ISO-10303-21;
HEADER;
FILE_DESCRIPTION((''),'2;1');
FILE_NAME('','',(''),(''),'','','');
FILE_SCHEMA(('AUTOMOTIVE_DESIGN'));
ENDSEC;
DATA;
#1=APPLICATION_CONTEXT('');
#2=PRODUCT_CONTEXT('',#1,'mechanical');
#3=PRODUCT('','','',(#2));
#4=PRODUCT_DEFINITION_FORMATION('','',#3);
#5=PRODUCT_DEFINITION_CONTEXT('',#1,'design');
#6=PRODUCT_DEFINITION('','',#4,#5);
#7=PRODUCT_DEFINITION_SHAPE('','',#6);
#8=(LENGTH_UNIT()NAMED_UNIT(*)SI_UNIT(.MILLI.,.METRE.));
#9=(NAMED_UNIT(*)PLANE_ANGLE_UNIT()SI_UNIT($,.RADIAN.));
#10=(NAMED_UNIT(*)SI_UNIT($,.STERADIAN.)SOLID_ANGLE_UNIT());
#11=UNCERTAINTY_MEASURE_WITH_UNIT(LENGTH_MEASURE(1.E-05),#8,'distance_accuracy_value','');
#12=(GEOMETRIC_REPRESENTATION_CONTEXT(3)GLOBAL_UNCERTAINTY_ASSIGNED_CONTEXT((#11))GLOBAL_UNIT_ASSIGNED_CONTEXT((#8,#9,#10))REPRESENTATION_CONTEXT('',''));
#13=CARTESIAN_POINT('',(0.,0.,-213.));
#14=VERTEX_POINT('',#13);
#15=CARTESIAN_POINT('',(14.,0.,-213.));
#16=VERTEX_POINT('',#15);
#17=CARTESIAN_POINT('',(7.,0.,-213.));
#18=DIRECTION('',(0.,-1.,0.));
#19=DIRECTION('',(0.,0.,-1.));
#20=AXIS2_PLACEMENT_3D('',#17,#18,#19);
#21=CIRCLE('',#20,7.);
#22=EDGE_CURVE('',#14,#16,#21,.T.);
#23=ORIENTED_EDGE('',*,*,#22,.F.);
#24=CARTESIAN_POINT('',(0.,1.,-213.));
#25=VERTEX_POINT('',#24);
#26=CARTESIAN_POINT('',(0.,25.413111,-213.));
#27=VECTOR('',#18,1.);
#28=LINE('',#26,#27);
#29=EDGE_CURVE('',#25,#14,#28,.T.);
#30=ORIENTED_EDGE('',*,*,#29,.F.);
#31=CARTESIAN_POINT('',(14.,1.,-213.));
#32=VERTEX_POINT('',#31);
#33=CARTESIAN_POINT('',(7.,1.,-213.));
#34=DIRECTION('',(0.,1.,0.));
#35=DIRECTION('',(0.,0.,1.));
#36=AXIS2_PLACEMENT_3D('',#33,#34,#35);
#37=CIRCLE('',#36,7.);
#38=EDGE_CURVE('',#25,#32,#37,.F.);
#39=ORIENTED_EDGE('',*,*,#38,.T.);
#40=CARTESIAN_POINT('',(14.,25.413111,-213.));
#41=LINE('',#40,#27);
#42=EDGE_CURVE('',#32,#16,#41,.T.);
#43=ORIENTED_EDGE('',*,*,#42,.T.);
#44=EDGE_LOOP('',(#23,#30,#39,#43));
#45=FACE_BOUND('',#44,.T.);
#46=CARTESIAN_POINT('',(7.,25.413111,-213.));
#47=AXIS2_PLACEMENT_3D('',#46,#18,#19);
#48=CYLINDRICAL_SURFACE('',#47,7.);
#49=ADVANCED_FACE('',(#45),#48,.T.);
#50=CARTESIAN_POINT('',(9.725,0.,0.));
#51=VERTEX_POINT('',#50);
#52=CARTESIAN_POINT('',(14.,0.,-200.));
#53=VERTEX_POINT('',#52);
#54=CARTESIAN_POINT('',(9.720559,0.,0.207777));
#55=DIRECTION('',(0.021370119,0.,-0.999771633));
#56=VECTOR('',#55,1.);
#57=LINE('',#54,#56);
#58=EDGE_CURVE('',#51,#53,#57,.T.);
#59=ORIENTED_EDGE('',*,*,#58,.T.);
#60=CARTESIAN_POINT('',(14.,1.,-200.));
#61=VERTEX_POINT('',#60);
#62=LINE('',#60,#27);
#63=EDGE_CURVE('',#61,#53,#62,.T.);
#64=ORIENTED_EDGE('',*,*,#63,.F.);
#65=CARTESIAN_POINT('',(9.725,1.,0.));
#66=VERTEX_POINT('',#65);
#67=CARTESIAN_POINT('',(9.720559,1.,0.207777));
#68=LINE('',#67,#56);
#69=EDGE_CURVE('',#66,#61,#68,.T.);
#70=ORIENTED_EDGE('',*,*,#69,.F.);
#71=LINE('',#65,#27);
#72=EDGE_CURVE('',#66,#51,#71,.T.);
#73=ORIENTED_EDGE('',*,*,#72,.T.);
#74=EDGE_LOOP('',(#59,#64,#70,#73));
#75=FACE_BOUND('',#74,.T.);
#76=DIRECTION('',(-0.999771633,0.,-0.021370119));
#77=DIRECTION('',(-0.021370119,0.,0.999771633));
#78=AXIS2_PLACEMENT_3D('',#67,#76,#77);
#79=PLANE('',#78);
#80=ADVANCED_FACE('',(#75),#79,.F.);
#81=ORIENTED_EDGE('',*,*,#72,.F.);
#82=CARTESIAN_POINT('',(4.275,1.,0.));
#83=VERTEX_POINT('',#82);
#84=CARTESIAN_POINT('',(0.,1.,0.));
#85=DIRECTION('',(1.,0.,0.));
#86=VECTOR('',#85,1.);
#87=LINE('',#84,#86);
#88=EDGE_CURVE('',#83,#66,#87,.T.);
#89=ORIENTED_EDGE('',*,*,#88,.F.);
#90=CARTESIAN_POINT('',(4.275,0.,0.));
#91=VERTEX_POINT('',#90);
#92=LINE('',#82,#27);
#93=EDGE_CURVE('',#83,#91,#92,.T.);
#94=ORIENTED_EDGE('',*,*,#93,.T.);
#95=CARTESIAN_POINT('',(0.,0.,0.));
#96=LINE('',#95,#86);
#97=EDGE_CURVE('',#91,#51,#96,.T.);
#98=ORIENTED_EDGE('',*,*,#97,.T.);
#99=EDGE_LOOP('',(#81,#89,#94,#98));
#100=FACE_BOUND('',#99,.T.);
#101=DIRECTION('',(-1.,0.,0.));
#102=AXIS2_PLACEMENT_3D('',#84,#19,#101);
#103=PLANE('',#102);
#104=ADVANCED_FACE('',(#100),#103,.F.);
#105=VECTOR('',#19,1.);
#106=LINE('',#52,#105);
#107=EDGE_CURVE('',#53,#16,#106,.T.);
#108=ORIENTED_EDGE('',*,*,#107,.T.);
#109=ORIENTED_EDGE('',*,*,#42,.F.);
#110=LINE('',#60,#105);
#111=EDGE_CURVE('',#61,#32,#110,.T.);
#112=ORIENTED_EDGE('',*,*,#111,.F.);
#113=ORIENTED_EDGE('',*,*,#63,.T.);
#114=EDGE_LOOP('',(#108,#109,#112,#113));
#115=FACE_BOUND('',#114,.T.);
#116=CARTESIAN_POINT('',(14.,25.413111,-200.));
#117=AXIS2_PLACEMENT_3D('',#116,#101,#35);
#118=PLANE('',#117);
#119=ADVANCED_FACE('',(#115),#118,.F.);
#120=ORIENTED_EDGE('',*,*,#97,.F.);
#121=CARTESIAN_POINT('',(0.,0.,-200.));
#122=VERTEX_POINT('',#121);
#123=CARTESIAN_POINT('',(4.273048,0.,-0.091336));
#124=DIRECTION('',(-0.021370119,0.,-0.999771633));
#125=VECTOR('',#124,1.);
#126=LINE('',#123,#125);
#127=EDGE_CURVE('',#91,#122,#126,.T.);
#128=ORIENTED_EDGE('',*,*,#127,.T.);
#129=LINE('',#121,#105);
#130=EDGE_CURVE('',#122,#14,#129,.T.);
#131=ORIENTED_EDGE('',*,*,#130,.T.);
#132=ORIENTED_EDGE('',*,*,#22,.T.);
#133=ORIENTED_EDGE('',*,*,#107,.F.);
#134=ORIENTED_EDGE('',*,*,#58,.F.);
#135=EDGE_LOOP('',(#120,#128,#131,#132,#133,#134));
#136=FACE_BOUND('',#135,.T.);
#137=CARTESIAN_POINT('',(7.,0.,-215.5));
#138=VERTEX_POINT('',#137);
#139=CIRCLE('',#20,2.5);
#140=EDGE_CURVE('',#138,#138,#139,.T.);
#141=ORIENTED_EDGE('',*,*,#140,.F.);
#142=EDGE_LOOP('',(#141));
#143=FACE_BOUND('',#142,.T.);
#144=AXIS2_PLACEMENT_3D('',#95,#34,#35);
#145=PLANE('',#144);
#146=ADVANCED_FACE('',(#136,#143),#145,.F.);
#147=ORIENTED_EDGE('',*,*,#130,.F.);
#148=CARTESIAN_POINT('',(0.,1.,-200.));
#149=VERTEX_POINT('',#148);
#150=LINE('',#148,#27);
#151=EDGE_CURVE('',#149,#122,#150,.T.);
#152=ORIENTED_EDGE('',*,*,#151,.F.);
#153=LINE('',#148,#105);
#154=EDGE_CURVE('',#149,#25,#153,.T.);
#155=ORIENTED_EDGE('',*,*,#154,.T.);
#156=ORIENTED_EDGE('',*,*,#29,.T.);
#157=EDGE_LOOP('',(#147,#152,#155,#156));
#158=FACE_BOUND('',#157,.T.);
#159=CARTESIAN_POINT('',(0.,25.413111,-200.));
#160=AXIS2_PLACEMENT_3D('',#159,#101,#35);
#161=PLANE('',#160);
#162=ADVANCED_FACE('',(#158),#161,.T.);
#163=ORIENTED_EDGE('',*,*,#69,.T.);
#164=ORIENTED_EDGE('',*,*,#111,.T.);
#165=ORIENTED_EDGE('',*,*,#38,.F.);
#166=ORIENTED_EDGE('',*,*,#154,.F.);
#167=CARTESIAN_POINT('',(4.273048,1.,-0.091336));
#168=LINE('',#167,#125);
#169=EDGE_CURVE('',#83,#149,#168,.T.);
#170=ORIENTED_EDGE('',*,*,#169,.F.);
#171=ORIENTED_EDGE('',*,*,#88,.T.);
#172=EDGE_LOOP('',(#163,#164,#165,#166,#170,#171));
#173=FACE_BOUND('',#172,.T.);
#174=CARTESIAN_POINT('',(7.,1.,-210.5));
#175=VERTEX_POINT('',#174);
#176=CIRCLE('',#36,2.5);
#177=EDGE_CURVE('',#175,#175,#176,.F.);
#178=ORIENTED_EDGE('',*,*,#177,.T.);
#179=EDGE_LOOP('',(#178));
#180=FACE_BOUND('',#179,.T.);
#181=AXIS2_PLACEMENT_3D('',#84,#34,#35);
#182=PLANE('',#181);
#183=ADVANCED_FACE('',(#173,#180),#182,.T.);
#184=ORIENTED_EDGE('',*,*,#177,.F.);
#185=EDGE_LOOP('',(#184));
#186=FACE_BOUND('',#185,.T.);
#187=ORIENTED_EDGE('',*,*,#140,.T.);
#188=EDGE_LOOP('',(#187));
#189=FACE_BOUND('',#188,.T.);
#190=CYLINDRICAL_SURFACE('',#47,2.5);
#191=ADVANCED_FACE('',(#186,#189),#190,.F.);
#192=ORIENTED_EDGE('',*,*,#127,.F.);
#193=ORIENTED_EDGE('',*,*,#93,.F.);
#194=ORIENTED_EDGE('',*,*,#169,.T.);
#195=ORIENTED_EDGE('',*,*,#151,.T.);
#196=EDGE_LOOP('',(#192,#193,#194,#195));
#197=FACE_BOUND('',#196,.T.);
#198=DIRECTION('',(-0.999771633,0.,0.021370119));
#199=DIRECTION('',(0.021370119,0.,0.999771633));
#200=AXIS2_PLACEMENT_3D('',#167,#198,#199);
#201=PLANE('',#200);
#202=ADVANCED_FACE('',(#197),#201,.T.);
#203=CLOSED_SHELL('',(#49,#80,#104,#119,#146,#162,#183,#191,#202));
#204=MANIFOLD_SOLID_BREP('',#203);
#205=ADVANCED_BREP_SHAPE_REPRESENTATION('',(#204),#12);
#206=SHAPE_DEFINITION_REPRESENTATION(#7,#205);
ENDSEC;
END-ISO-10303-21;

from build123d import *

# Parameters (mm, degrees)
BOSS_EXTRUDE1_DEPTH = 1
SKETCH2_R           = 2.5
BOSS_EXTRUDE2_DEPTH = 1


with BuildPart() as part:
    # Sketch1 → Boss-Extrude1 (new body)
    with BuildSketch(Plane(origin=(0, 0, 0), x_dir=(1, 0, 0), z_dir=(0, 1, 0))):
        Polygon((9.725, 200), (4.275, 200), (0, 200), (4.275, 0), (9.725, 0), (14, 200), align=None)
    extrude(amount=BOSS_EXTRUDE1_DEPTH)

    # Sketch2 → Boss-Extrude2 (add)
    with BuildSketch(Plane.XZ):
        with BuildLine():
            Line((0, -200), (14, -200))
            Line((14, -200), (14, -213))
            ThreePointArc((14, -213), (7, -220), (0, -213))
            Line((0, -213), (0, -200))
        make_face()
        with Locations(Location((7, -213, 0), (0, 0, 270))):
            Circle(SKETCH2_R, mode=Mode.SUBTRACT)
    extrude(amount=-BOSS_EXTRUDE2_DEPTH)


solid = part.part
